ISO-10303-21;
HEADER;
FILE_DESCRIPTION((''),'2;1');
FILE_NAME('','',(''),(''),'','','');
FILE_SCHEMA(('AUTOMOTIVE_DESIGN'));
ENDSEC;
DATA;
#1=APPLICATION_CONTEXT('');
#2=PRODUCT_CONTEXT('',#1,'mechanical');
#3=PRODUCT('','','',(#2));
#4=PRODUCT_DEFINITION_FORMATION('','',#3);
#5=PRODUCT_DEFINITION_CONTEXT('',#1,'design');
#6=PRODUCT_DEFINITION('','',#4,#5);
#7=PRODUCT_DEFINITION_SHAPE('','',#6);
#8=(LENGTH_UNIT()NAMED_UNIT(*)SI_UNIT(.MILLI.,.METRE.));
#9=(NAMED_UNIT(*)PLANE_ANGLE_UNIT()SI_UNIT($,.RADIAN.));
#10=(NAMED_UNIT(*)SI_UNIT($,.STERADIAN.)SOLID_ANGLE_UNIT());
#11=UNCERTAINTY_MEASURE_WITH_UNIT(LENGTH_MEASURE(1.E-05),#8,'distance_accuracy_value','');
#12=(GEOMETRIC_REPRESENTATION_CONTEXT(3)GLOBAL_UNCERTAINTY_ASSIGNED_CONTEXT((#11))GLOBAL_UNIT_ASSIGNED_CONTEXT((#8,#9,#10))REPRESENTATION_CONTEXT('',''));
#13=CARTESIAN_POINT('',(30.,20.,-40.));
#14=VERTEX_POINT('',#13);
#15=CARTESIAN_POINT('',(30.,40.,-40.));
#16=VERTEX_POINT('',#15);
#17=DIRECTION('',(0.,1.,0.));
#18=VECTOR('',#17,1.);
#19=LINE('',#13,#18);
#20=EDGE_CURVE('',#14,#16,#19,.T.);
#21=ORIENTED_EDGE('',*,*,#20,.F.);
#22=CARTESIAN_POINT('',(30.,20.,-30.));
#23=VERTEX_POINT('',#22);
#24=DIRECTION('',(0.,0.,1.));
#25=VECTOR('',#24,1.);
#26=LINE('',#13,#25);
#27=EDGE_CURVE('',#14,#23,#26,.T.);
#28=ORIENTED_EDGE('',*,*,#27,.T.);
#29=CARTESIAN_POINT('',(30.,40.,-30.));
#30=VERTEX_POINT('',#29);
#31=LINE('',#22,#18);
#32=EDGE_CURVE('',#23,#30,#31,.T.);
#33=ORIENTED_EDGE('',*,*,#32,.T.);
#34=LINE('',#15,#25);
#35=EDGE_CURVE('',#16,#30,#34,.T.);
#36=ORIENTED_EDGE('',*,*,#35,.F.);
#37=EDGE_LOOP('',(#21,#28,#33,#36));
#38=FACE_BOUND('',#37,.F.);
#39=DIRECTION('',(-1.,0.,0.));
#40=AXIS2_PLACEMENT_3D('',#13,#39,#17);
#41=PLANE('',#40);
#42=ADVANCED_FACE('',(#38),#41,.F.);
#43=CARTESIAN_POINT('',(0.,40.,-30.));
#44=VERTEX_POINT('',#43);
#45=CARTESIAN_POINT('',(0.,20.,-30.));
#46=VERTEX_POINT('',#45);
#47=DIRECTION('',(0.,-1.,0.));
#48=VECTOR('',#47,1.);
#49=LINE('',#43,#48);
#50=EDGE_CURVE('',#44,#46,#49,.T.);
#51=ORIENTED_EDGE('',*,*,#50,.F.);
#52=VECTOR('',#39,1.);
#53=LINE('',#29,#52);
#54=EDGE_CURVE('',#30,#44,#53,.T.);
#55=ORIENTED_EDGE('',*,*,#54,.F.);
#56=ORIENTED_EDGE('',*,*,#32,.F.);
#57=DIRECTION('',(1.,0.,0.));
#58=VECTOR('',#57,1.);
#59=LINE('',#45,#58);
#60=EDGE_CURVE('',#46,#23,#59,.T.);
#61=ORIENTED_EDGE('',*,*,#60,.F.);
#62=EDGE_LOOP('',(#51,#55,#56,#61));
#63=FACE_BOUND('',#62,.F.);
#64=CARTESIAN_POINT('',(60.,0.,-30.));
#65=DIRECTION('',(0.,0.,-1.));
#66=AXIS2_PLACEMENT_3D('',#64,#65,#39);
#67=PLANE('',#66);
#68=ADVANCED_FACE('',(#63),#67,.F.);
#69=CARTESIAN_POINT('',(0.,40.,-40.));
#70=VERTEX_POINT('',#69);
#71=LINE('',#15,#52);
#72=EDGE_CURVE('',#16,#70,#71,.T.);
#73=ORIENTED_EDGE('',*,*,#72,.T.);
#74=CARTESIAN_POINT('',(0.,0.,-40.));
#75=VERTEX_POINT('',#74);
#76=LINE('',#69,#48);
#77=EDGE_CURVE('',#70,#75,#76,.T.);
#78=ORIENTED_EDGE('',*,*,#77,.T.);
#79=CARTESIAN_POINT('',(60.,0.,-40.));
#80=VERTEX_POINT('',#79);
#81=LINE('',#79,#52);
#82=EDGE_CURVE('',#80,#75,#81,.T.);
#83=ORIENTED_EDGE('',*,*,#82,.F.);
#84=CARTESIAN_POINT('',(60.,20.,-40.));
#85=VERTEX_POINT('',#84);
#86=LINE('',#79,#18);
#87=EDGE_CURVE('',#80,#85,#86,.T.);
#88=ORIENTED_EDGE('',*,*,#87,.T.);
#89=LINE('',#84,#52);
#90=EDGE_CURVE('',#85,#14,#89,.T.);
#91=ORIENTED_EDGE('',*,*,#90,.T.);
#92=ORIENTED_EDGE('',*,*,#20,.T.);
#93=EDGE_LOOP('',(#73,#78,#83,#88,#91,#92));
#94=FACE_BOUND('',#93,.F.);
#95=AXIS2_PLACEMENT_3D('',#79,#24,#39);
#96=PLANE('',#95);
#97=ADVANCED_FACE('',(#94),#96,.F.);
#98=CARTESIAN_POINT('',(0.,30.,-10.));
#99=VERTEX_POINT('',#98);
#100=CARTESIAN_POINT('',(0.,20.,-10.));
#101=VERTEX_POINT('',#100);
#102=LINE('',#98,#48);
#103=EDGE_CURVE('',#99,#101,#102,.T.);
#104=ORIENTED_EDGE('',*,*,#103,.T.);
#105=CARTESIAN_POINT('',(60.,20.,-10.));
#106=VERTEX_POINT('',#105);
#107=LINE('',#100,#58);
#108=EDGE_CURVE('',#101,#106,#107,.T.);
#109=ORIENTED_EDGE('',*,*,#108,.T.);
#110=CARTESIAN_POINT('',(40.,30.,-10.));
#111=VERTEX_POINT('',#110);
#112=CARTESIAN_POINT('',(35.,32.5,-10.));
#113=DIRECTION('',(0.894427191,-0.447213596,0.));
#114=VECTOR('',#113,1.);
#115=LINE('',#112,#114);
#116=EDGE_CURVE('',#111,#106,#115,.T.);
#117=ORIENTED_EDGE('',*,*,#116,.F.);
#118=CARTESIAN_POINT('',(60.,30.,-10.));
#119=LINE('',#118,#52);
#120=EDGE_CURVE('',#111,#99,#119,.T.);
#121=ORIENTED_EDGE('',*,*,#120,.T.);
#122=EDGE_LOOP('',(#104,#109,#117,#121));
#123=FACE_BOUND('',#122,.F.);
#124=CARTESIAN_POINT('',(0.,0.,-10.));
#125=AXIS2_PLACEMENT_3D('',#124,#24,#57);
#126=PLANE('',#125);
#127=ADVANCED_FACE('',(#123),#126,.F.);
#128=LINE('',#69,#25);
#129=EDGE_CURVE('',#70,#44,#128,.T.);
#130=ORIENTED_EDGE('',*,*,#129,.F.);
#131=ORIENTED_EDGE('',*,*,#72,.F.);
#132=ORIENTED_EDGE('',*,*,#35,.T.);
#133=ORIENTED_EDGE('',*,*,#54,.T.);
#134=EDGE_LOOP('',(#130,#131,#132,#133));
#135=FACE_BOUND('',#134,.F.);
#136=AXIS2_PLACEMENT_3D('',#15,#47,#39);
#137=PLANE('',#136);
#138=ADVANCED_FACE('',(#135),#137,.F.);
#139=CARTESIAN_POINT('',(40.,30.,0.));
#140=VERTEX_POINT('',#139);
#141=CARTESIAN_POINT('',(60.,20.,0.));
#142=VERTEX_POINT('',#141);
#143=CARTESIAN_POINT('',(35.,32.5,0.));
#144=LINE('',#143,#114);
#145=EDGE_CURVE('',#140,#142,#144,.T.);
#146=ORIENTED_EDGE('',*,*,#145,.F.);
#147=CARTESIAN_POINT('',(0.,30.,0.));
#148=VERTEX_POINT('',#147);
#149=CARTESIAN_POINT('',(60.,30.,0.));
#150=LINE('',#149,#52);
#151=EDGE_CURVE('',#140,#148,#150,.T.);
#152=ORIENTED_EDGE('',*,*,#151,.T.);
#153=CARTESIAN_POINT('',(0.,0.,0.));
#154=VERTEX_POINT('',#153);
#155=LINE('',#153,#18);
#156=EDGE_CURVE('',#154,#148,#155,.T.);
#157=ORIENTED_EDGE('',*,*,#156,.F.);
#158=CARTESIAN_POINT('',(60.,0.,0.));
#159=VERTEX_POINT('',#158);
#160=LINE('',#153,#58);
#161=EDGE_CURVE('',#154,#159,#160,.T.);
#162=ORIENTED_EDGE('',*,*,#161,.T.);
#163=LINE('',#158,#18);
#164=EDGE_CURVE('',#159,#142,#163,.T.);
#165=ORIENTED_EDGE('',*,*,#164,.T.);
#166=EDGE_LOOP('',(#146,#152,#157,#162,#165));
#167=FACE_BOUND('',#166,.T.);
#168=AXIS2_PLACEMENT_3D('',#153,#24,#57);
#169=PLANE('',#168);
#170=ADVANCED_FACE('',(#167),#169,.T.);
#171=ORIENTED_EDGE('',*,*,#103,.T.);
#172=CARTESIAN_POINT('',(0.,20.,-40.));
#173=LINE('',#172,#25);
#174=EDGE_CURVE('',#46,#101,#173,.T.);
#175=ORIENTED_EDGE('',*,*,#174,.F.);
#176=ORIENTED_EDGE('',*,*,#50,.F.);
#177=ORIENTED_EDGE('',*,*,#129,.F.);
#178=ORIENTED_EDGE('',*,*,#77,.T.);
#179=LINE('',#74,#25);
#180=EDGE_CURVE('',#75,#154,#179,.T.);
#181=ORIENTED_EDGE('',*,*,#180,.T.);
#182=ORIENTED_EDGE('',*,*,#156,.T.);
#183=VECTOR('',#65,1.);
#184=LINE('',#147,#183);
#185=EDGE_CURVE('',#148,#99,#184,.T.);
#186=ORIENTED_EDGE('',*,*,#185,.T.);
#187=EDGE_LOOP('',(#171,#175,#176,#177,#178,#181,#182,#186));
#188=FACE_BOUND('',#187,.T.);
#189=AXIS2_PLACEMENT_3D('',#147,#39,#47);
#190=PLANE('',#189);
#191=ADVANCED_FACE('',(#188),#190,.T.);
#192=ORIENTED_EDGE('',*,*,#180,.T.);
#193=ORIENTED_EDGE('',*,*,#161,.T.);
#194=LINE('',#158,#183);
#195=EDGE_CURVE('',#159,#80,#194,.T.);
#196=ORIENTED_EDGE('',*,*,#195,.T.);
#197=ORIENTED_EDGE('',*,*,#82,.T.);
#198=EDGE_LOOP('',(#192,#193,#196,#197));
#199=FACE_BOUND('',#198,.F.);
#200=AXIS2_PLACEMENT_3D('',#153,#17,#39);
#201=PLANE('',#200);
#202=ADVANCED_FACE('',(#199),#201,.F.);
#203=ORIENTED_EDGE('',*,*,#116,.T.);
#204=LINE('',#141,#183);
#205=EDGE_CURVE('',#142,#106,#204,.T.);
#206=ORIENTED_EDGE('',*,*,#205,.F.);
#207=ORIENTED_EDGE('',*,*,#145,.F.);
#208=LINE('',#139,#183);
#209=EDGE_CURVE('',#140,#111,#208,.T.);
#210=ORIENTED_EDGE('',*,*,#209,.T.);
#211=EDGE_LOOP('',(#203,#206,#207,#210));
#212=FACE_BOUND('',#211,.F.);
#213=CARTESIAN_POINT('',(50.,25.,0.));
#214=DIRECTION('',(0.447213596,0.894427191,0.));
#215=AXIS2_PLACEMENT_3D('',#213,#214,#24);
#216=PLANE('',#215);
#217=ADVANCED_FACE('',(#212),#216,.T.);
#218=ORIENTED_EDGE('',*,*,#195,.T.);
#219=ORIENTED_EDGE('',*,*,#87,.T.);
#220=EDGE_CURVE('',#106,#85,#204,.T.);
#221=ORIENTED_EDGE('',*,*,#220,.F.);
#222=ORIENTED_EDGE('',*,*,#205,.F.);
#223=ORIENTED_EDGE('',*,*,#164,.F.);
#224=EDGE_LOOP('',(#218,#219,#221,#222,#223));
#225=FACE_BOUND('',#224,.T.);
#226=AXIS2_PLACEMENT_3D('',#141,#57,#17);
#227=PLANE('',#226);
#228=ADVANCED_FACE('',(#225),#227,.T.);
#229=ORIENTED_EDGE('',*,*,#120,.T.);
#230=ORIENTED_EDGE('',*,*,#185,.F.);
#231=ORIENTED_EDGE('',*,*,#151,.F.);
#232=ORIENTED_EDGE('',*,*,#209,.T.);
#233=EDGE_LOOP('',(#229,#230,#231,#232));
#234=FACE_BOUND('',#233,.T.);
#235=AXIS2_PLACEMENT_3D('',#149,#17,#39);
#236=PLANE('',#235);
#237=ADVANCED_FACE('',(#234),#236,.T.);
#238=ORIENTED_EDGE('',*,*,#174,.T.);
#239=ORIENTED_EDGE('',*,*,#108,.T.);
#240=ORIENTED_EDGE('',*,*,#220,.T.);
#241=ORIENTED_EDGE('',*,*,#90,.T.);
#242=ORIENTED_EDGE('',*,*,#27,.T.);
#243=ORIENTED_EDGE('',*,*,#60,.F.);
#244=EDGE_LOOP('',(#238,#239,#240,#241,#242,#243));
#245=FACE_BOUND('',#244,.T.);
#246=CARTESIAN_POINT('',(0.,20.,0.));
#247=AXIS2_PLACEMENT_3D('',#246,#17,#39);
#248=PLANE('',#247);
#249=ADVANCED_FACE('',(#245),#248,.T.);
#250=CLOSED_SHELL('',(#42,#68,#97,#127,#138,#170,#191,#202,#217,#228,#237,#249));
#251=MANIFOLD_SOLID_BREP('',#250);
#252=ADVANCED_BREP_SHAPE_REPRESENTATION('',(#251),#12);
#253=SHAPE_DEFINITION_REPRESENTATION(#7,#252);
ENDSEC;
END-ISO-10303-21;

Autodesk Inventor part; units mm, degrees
ref_plane "YZ Plane" through (0, 0, 0) normal (1, 0, 0) x (0, 1, 0)
ref_plane "XZ Plane" through (0, 0, 0) normal (0, 1, 0) x (-1, 0, 0)
ref_plane "XY Plane" through (0, 0, 0) normal (0, 0, 1) x (1, 0, 0)
sketch "草圖1" plane through (0, 0, 0) normal (0, 1, 0) x (-1, 0, 0)
  line L0 (0, 0) -> (-60, 0)
  line L1 (-60, 0) -> (-60, -40)
  line L2 (-60, -40) -> (0, -40)
  line L3 (0, -40) -> (0, 0)
  dimension "d0" = 40
  dimension "d1" = 60
extrude "擠出1" add sketch "草圖1" along normal blind 20
sketch "草圖2" plane through (60, 0, -40) normal (0, 0, -1) x (-1, 0, 0)
  line L0 (60, 0) -> (60, 20) projected
  line L1 (60, 20) -> (30, 20)
  line L2 (30, 20) -> (30, 40)
  line L3 (30, 40) -> (60, 40)
  line L4 (60, 40) -> (60, 20)
  dimension "d4" = 30
  dimension "d5" = 20
extrude "擠出2" add sketch "草圖2" against normal blind 10
sketch "草圖3" plane through (0, 0, 0) normal (0, 0, 1) x (1, 0, 0)
  line L0 (0, 20) -> (60, 20)
  line L1 (60, 20) -> (60, 30)
  line L2 (60, 30) -> (0, 30)
  line L3 (0, 30) -> (0, 20)
  line L4 (0, 20) -> (60, 20) projected
  line L5 (0, 0) -> (0, 20) projected
  dimension "d8" = 60
  dimension "d9" = 10
extrude "擠出3" add sketch "草圖3" against normal blind 10
chamfer "倒角1" distance 20 distance2 10 1 edges at (60, 30, -5) measured on face at (40, 30, -3.3333)
properties part number "42"
